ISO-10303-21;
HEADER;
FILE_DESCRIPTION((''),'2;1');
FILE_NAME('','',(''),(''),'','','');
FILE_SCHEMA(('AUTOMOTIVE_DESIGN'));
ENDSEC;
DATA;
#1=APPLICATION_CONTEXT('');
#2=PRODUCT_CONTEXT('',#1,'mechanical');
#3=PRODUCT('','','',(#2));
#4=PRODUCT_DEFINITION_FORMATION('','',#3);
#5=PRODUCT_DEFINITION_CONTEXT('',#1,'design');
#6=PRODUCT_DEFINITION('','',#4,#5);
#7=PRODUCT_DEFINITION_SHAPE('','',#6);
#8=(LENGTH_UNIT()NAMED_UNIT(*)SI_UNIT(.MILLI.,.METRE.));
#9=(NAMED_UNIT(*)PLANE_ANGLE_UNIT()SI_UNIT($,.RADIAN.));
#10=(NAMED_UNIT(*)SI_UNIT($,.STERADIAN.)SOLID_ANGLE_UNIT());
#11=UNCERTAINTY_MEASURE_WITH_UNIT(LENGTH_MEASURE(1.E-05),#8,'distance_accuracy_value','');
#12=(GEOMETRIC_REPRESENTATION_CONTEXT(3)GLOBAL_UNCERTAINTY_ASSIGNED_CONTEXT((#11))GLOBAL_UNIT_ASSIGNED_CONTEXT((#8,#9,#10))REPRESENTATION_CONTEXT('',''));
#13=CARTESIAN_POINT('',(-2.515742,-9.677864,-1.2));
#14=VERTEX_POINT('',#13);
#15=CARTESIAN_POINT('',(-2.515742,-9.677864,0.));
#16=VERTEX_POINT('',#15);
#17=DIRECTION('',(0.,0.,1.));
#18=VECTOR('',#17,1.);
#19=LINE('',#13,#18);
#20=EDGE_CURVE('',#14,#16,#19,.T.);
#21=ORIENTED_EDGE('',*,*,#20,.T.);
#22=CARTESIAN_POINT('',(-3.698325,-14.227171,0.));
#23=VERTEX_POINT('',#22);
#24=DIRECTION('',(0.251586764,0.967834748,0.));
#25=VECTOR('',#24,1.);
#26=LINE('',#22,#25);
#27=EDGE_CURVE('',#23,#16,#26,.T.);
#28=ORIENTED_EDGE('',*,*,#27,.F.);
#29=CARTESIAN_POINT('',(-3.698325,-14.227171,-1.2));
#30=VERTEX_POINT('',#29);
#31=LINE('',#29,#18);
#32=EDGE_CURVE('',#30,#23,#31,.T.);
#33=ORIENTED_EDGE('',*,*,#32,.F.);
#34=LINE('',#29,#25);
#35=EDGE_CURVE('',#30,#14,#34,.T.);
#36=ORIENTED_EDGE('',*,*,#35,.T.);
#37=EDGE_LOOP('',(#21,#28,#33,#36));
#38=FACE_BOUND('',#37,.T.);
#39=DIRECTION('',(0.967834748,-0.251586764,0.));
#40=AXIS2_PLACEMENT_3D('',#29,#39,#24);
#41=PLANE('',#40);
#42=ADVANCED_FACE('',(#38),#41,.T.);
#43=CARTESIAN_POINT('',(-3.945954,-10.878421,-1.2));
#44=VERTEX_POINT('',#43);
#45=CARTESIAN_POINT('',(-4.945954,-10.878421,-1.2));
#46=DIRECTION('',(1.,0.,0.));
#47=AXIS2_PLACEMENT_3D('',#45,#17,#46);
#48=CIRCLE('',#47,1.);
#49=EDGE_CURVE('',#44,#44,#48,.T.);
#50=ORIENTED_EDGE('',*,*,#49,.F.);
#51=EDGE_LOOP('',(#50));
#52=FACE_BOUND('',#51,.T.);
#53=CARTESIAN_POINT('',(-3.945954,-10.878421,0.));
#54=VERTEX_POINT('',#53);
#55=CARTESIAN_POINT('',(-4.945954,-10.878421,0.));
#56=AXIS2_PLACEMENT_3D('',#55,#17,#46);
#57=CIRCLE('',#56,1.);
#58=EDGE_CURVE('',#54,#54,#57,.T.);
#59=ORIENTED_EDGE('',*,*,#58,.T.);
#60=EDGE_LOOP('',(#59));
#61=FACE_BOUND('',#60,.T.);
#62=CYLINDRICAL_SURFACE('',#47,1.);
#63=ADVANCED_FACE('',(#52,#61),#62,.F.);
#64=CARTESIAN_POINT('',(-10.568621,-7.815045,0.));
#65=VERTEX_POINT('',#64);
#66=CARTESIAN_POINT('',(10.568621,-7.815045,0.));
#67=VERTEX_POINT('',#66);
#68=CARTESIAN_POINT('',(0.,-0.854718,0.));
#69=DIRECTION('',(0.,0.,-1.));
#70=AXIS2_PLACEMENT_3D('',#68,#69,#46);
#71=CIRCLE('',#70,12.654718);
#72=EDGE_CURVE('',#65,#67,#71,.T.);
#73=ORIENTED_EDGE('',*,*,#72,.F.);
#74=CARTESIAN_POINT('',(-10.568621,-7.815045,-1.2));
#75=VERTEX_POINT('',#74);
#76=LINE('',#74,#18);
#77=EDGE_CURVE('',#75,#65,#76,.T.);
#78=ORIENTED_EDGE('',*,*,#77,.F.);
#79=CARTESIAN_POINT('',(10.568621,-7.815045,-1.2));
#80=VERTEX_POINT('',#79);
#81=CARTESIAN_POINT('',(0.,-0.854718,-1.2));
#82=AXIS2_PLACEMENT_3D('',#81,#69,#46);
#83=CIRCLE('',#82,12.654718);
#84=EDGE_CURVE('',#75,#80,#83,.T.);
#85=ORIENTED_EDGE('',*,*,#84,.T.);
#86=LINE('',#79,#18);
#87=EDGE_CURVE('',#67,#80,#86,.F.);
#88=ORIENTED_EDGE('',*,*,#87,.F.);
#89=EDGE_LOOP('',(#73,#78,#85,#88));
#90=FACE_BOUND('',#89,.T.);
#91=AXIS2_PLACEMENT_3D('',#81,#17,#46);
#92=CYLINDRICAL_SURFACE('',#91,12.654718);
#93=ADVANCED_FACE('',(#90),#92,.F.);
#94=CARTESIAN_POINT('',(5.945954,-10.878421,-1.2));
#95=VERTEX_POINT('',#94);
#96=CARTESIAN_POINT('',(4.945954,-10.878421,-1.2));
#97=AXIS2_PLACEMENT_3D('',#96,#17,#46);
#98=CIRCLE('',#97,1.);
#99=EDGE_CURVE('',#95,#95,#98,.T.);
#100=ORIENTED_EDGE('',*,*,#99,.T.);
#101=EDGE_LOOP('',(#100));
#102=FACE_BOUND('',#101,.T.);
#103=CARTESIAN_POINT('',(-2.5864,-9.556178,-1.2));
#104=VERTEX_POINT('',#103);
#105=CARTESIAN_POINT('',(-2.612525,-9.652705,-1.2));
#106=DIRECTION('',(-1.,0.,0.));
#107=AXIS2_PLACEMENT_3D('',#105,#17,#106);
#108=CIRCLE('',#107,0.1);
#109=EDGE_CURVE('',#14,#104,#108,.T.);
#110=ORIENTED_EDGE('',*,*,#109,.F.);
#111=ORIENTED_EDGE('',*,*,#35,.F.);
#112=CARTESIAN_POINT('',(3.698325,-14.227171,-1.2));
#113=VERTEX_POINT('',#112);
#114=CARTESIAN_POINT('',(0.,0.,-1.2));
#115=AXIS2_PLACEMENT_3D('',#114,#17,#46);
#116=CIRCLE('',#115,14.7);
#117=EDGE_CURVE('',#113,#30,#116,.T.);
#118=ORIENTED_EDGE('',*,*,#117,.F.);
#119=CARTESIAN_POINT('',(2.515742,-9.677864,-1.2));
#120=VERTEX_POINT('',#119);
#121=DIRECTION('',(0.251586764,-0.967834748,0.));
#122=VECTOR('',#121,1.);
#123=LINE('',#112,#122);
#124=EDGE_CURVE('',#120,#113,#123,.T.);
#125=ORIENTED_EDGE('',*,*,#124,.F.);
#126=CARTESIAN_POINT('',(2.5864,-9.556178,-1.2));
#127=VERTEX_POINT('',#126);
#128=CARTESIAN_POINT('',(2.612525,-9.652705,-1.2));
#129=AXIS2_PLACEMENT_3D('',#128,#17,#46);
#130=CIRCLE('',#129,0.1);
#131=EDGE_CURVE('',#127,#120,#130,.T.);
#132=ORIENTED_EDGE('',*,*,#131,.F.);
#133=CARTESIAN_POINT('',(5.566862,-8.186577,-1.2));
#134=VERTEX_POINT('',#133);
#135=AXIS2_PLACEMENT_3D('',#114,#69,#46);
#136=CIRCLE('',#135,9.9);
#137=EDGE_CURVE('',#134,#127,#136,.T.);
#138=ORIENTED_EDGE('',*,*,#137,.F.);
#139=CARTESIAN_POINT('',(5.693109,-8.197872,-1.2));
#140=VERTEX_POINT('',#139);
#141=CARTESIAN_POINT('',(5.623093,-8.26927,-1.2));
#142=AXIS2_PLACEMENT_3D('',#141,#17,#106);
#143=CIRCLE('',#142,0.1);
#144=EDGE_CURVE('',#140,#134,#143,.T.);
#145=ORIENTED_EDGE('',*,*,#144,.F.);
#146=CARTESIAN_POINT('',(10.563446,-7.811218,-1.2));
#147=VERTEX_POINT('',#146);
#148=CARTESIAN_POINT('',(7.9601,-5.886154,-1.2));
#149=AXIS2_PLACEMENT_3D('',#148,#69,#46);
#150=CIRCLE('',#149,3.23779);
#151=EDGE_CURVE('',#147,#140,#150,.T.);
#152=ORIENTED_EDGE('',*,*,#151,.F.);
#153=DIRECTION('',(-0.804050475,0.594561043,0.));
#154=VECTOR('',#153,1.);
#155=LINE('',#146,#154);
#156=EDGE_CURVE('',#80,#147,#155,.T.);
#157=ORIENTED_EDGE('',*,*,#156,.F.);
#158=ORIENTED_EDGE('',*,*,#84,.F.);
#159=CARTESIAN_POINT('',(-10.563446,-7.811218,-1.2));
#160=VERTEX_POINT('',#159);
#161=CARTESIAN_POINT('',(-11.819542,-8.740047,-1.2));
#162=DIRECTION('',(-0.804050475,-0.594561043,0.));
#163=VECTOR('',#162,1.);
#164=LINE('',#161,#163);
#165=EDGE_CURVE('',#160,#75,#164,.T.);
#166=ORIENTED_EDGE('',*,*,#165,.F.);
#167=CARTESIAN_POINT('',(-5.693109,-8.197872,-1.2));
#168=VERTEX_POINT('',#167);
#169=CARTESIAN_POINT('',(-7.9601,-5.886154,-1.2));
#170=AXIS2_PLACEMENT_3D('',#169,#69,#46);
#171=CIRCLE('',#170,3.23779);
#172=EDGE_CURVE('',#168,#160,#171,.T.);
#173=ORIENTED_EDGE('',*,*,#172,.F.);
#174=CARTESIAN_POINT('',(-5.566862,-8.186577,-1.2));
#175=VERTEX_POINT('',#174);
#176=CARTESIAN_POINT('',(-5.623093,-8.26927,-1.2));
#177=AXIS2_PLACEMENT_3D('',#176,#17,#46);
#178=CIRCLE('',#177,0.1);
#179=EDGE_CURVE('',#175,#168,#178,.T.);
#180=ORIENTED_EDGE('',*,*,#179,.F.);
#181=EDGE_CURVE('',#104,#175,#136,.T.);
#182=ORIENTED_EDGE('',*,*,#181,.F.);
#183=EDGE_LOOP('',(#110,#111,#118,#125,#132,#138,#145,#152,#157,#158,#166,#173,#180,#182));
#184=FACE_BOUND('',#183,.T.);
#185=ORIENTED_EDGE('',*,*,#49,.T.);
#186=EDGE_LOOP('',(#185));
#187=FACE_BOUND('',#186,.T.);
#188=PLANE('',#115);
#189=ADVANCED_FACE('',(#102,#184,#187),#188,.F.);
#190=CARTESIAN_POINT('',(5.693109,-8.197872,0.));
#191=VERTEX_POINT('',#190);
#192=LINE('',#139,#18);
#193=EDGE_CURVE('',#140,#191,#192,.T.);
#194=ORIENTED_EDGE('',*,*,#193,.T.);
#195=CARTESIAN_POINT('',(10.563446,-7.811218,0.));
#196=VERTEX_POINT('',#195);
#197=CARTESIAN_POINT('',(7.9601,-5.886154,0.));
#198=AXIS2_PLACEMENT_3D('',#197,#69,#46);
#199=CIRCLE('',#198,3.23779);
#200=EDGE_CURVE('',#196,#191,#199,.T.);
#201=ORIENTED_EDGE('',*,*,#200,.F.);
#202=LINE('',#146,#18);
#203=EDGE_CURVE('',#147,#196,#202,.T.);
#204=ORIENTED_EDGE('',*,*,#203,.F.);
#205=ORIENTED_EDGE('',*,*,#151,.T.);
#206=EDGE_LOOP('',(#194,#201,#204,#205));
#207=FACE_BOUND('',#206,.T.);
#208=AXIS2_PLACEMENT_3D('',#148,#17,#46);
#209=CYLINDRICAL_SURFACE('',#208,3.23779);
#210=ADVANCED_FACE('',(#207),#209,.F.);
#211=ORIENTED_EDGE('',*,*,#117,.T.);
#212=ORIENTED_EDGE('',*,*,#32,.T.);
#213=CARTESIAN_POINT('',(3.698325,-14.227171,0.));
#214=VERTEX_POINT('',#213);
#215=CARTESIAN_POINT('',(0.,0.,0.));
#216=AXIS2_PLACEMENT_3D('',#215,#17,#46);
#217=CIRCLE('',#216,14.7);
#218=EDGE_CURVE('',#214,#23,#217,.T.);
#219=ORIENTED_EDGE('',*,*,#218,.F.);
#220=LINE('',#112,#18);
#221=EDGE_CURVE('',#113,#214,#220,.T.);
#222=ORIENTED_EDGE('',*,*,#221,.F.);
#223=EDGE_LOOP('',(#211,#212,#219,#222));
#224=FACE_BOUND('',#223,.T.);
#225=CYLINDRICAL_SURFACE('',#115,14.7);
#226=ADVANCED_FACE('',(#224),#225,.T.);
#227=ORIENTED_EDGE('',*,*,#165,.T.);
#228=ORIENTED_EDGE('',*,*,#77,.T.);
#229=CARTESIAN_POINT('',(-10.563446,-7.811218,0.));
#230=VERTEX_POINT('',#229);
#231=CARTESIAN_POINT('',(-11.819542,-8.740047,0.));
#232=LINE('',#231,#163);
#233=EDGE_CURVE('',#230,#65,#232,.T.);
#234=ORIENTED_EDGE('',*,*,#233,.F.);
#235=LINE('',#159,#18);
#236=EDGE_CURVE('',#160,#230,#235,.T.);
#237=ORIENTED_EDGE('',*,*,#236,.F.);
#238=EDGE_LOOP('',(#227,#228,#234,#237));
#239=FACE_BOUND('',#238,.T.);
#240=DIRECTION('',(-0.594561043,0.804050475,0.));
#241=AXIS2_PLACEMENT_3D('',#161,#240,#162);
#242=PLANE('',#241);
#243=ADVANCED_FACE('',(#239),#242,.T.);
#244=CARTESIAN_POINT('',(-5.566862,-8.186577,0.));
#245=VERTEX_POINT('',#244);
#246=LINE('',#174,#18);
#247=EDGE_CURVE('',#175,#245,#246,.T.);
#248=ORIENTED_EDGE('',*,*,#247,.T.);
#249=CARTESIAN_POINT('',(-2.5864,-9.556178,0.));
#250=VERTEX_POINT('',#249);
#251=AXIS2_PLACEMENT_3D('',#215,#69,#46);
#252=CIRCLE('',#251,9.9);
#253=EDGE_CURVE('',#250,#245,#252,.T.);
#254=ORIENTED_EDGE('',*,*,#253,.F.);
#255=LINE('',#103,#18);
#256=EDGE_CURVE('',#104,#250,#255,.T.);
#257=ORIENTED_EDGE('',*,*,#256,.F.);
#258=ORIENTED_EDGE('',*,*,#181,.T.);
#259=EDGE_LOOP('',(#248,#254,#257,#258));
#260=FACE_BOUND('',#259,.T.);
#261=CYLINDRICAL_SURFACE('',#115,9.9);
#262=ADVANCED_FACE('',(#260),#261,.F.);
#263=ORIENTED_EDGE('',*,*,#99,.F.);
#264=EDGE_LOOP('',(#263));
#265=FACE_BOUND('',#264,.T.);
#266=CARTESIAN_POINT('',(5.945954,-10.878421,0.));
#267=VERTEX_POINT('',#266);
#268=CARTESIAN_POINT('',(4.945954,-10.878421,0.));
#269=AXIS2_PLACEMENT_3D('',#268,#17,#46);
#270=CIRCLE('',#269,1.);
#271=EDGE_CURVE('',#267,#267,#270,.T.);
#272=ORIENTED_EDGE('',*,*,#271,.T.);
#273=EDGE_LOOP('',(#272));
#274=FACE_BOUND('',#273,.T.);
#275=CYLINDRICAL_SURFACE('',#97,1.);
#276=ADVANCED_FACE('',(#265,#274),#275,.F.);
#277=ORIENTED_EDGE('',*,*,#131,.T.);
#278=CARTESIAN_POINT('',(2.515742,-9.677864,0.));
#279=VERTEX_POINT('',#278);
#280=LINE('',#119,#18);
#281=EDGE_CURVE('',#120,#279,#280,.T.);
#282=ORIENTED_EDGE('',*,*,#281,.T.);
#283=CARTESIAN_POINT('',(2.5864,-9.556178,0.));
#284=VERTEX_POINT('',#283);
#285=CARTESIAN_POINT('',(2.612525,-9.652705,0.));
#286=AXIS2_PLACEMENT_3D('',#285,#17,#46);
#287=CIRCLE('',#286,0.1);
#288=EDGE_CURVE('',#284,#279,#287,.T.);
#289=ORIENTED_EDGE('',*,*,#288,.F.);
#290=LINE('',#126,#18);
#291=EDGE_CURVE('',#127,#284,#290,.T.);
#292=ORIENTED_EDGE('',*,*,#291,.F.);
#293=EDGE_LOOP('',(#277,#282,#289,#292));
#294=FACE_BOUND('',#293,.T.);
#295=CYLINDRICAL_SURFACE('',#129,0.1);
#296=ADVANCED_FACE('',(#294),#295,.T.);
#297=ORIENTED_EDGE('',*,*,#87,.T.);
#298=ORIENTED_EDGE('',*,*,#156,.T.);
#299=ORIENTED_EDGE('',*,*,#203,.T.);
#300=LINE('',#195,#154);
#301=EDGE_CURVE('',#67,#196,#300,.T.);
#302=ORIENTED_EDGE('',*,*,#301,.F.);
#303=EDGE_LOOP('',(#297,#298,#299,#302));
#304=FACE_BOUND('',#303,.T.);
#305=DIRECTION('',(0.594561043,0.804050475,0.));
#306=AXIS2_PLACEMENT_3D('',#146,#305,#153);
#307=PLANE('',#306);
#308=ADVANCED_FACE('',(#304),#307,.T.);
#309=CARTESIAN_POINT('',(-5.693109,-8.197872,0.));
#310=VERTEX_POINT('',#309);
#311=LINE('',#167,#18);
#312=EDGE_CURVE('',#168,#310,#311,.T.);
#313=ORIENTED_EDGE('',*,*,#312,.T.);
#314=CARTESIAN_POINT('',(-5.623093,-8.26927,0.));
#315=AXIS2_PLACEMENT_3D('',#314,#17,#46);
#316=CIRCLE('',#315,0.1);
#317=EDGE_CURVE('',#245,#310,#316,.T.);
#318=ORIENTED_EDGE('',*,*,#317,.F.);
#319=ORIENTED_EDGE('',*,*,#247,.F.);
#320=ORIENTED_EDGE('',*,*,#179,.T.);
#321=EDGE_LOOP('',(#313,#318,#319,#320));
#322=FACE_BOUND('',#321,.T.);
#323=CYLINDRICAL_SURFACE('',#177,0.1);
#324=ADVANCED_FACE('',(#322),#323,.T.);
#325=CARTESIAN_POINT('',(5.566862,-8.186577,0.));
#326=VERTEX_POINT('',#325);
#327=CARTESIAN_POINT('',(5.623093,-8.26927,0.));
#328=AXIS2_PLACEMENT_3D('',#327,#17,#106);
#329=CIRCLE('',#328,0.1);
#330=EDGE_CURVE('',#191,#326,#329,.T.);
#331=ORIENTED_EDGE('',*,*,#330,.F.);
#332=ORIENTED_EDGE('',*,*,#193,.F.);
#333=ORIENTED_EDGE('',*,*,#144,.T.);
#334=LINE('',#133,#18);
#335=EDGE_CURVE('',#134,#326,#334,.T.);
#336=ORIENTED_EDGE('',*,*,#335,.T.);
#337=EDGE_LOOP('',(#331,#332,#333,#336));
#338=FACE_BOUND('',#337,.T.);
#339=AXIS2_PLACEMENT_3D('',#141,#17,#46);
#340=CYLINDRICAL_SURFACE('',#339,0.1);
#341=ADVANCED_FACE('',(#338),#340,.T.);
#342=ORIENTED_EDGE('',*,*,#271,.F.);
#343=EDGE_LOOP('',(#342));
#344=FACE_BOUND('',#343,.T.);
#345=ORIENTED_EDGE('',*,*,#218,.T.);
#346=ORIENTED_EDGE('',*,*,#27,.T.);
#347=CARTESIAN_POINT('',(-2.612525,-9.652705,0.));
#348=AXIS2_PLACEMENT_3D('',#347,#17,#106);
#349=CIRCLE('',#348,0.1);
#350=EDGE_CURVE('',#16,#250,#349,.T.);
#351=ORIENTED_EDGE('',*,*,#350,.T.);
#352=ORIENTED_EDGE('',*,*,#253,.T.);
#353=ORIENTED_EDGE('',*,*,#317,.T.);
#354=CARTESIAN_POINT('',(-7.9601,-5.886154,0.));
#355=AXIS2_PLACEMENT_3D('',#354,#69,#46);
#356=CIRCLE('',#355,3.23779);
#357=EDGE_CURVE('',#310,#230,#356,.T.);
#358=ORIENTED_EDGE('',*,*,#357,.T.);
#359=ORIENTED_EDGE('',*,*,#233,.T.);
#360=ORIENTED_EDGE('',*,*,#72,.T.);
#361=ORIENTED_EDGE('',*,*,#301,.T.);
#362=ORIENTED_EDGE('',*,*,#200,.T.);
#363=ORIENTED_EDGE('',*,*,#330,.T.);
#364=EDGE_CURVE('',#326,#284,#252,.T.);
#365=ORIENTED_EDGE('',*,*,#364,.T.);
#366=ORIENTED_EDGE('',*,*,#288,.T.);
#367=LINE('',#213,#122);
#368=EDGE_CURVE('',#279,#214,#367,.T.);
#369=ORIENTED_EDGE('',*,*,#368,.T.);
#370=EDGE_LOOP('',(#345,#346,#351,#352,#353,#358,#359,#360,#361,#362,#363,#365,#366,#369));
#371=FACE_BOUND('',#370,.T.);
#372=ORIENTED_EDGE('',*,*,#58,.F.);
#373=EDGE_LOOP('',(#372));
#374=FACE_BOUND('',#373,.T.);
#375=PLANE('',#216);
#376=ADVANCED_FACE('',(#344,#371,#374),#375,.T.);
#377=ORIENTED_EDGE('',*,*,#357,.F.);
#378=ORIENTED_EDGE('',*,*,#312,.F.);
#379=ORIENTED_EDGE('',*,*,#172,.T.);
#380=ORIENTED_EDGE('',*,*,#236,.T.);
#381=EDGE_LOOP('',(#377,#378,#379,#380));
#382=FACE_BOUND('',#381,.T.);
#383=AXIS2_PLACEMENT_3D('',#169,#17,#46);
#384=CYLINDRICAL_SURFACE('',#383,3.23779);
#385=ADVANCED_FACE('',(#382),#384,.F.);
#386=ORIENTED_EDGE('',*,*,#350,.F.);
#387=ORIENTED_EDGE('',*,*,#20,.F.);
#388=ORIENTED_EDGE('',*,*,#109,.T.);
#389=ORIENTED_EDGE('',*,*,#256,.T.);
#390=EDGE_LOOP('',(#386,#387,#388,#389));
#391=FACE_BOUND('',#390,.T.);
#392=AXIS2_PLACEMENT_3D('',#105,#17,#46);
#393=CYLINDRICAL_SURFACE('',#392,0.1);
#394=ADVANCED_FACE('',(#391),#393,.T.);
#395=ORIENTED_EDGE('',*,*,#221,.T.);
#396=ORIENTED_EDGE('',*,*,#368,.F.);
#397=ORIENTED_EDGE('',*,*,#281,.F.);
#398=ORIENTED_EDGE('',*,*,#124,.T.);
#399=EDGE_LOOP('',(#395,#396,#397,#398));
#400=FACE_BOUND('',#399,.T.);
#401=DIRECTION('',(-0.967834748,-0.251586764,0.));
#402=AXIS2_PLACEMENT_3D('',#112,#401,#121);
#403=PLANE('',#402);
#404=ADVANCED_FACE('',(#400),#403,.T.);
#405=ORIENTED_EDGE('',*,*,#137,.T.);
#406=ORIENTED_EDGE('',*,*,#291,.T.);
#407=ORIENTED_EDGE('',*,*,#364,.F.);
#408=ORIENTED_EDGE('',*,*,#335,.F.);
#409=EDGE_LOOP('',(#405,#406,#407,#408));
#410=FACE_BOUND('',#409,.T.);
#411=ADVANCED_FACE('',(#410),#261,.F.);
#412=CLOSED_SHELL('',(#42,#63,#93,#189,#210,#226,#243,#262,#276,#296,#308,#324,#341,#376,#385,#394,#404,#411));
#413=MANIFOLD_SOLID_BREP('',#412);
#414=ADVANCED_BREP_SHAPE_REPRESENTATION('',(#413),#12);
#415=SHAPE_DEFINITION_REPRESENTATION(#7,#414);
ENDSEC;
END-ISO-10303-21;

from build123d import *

# Parameters (mm, degrees)
BODYSKE_R    = 1
BODY_DEPTH   = 1.2
MODLUGSKE_R  = 1
MODLUG_DEPTH = 1.2


with BuildPart() as part:
    # BodySke → Body (new body)
    with BuildSketch(Plane.XY):
        with BuildLine():
            Line((3.698325427, -14.227170802), (2.961893262, -11.394173437))
            ThreePointArc((2.961893262, -11.394173437), (3.929191569, -9.098338228), (6.398111495, -9.431444396))
            ThreePointArc((6.398111495, -9.431444396), (7.897695705, -10.033919527), (9.36780531, -9.362721467))
            ThreePointArc((9.36780531, -9.362721467), (0, 11.8), (-9.36780531, -9.362721467))
            ThreePointArc((-9.36780531, -9.362721467), (-7.897695705, -10.033919527), (-6.398111495, -9.431444396))
            ThreePointArc((-6.398111495, -9.431444396), (-3.929191569, -9.098338228), (-2.961893262, -11.394173437))
            Line((-2.961893262, -11.394173437), (-3.698325427, -14.227170802))
            ThreePointArc((-3.698325427, -14.227170802), (0, 14.7), (3.698325427, -14.227170802))
        make_face()
        with Locations((4.945954497, -10.878420571)):
            Circle(BODYSKE_R, mode=Mode.SUBTRACT)
        with Locations((-4.945954497, -10.878420571)):
            Circle(BODYSKE_R, mode=Mode.SUBTRACT)
    extrude(amount=-BODY_DEPTH)

    # ModLugSke → ModLug (add, through all)
    with BuildSketch(Plane.XY):
        with BuildLine():
            Line((3.698325427, -14.227170802), (2.515741841, -9.677863555))
            ThreePointArc((2.515741841, -9.677863555), (2.526047037, -9.602490267), (2.586400063, -9.55617783))
            ThreePointArc((2.586400063, -9.55617783), (4.133747796, -8.995672802), (5.566861748, -8.186577446))
            ThreePointArc((5.566861748, -8.186577446), (5.632003549, -8.169667957), (5.693109271, -8.197872134))
            ThreePointArc((5.693109271, -8.197872134), (8.216340211, -9.113789007), (10.56344638, -7.811218195))
            Line((10.56344638, -7.811218195), (11.81954198, -8.740047333))
            ThreePointArc((11.81954198, -8.740047333), (8.229713434, -12.180386562), (3.698325427, -14.227170802))
        make_face()
        with Locations((4.945954497, -10.878420571)):
            Circle(MODLUGSKE_R, mode=Mode.SUBTRACT)
        with BuildLine():
            Line((-3.698325427, -14.227170802), (-2.515741841, -9.677863555))
            ThreePointArc((-2.515741841, -9.677863555), (-2.526047037, -9.602490267), (-2.586400063, -9.55617783))
            ThreePointArc((-2.586400063, -9.55617783), (-4.133747796, -8.995672802), (-5.566861748, -8.186577446))
            ThreePointArc((-5.566861748, -8.186577446), (-5.632003549, -8.169667957), (-5.693109271, -8.197872134))
            ThreePointArc((-5.693109271, -8.197872134), (-8.216340211, -9.113789007), (-10.56344638, -7.811218195))
            Line((-10.56344638, -7.811218195), (-11.81954198, -8.740047333))
            ThreePointArc((-11.81954198, -8.740047333), (-8.229713434, -12.180386562), (-3.698325427, -14.227170802))
        make_face()
        with Locations((-4.945954497, -10.878420571)):
            Circle(MODLUGSKE_R, mode=Mode.SUBTRACT)
    extrude(amount=-MODLUG_DEPTH)


solid = part.part
